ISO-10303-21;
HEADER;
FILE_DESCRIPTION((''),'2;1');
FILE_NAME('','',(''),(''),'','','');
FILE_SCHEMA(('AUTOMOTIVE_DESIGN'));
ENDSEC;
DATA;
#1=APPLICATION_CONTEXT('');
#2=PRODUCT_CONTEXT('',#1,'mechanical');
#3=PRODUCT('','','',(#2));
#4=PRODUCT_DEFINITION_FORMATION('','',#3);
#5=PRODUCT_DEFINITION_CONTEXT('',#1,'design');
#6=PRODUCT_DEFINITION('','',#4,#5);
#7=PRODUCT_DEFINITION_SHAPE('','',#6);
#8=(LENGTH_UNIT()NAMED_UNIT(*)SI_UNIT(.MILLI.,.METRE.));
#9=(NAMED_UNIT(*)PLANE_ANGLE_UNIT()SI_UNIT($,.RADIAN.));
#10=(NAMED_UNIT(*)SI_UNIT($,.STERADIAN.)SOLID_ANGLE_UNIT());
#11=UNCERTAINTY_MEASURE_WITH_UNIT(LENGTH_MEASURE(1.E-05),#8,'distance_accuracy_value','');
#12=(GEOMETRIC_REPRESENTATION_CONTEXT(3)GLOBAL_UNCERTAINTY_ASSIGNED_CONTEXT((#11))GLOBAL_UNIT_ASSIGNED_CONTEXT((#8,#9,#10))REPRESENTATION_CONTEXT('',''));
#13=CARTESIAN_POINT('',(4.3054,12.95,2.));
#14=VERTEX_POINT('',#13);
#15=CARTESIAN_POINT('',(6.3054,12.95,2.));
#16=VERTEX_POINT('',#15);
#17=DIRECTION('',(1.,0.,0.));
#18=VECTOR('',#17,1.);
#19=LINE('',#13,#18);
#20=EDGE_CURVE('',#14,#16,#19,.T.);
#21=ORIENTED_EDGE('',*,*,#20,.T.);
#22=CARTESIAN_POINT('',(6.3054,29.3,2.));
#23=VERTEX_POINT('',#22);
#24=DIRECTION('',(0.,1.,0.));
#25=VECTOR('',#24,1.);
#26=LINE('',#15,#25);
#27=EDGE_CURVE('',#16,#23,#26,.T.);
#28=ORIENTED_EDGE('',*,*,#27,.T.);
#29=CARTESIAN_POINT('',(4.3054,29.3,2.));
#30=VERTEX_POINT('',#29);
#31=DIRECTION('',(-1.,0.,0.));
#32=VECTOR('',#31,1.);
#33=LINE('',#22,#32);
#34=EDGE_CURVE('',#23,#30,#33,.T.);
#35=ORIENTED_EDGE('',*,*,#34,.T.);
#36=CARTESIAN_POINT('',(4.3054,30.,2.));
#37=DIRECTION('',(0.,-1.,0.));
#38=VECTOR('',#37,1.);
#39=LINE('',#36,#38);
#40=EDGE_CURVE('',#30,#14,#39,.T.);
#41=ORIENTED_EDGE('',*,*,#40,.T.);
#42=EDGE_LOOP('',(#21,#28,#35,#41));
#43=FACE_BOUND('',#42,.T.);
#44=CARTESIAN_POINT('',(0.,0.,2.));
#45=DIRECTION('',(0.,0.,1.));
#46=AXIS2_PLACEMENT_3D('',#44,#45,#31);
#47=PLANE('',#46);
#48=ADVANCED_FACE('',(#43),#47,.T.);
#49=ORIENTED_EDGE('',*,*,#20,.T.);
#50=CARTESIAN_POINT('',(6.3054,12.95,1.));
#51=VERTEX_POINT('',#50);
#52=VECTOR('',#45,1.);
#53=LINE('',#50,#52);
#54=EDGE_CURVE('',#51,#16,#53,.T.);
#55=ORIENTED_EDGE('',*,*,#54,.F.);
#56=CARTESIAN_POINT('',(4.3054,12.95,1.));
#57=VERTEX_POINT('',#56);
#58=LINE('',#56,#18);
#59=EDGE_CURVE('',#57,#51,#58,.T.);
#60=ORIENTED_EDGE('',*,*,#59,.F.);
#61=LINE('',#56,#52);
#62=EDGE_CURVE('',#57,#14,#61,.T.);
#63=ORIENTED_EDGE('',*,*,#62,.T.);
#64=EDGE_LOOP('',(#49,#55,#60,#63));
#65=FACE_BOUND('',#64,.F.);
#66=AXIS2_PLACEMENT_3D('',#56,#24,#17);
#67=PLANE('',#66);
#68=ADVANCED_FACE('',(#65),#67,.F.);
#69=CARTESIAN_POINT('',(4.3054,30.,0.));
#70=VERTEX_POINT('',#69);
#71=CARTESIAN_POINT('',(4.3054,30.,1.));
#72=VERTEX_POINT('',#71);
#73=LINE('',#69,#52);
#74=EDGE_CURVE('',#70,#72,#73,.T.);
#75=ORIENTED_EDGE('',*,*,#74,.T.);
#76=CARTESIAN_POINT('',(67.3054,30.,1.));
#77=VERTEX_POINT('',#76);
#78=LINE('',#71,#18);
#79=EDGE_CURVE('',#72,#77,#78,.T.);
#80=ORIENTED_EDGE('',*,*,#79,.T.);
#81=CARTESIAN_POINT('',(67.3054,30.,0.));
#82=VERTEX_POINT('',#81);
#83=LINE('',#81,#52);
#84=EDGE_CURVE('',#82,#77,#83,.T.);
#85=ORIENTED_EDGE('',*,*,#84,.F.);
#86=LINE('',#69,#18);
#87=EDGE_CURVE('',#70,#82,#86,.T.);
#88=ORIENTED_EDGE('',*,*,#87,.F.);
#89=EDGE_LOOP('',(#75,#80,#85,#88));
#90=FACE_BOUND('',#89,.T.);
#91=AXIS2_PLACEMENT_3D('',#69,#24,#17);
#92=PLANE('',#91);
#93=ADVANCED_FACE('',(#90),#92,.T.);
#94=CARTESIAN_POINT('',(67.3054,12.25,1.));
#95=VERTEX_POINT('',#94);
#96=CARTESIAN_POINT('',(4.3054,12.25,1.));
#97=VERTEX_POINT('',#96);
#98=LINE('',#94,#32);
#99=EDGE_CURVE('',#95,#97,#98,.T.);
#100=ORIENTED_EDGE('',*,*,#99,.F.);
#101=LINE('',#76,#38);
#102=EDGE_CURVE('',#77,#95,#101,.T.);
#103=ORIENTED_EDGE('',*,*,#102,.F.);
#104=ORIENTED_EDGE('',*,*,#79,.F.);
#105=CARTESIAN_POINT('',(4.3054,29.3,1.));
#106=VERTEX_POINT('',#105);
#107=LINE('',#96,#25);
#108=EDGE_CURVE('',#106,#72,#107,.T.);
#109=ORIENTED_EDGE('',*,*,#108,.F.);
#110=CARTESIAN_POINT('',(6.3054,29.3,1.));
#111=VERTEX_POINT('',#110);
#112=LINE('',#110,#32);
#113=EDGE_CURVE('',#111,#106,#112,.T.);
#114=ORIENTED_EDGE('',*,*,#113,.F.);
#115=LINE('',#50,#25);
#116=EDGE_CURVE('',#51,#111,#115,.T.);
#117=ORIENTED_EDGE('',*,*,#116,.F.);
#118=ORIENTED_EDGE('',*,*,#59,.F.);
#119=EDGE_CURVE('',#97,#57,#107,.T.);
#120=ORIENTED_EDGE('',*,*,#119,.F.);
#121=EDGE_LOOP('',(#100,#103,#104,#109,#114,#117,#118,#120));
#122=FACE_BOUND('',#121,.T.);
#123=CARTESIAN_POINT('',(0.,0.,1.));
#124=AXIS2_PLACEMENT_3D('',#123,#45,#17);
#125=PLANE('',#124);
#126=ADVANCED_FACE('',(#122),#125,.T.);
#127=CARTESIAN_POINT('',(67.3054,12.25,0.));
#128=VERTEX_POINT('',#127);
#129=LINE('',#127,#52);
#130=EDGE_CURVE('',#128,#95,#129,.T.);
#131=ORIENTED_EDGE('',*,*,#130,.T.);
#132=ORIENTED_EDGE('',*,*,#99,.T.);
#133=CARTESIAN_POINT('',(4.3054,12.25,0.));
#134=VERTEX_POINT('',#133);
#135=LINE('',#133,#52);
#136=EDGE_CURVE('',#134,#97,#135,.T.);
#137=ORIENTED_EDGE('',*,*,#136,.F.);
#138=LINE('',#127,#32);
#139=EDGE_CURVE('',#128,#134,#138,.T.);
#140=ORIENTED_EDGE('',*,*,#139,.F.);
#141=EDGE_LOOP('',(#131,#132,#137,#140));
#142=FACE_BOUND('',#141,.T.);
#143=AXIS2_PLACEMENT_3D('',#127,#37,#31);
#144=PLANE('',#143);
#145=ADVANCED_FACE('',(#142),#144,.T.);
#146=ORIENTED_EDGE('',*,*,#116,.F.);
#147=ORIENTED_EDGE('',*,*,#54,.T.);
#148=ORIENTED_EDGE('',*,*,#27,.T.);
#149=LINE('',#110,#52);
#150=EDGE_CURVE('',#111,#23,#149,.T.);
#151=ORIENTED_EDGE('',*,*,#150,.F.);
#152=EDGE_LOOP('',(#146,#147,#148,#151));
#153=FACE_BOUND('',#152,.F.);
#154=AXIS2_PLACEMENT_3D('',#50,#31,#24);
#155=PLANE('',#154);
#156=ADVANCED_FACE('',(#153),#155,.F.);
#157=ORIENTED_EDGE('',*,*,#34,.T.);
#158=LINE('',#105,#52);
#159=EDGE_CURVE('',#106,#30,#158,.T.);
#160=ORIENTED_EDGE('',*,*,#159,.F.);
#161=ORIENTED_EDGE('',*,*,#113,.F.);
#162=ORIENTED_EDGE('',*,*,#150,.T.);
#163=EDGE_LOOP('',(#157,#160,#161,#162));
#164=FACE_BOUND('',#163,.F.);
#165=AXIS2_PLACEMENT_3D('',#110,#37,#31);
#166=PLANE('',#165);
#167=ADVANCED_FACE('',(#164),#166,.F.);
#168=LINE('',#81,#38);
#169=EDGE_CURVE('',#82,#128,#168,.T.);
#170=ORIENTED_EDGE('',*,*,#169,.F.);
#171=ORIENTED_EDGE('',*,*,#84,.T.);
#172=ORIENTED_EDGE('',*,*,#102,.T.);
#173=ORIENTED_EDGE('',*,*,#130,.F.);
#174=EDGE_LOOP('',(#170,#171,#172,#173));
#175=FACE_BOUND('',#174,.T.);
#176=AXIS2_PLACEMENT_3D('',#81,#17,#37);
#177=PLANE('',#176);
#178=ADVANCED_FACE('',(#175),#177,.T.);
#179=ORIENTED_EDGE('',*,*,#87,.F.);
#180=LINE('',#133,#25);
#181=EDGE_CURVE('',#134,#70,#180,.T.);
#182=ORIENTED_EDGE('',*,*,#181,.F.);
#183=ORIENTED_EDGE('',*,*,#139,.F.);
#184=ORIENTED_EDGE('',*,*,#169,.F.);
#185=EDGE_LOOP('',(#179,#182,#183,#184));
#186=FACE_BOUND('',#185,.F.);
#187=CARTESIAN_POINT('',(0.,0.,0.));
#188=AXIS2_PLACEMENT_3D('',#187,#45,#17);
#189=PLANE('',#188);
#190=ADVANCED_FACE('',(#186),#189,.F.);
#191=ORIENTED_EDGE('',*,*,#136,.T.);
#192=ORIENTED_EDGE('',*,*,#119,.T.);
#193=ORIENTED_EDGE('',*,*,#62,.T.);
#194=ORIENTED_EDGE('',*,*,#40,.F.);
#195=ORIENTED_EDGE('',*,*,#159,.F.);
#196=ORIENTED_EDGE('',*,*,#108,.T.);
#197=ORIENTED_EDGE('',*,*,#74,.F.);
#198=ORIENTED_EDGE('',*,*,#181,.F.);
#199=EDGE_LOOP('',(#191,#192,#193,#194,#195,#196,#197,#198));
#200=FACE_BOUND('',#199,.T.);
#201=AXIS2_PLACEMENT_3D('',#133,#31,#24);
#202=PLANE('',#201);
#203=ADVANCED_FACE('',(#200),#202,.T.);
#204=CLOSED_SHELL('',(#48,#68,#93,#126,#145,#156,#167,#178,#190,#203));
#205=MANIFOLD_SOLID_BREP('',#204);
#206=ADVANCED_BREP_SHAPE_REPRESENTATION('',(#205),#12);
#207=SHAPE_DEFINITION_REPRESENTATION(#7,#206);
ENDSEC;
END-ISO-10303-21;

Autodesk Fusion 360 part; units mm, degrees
sketch "Esquisse1" plane through (0, 0, 0) normal (0, 0, 1) x (1, 0, 0)
  line L0 (4.3054, 30) -> (67.3054, 30)
  line L1 (67.3054, 30) -> (67.3054, 12.25)
  line L2 (67.3054, 12.25) -> (4.3054, 12.25)
  line L3 (4.3054, 12.25) -> (4.3054, 30)
  dimension "d1" = 63
  dimension "d2" = 17.75
extrude "Extrusion1" add sketch "Esquisse1" along normal blind 1
sketch "Esquisse2" plane through (0, 0, 1) normal (0, 0, 1) x (-1, 0, 0)
  line L0 (-4.3054, -12.25) -> (-67.3054, -12.25)
  line L1 (-67.3054, -12.25) -> (-67.3054, -30)
  line L2 (-67.3054, -30) -> (-4.3054, -30)
  line L3 (-4.3054, -30) -> (-4.3054, -12.25)
  line L4 (-4.3054, -12.95) -> (-6.3054, -12.95)
  line L5 (-6.3054, -12.95) -> (-6.3054, -29.3)
  line L6 (-6.3054, -29.3) -> (-4.3054, -29.3)
  line L7 (-4.3054, -29.3) -> (-4.3054, -12.95)
  line L8 (-67.3054, -21.125) -> (-4.3054, -21.125) construction
  dimension "d5" = 16.35
  dimension "d8" = 2
extrude "Extrusion2" add sketch "Esquisse2" along normal blind 1 contours L3 L4 L5 L6 L7
